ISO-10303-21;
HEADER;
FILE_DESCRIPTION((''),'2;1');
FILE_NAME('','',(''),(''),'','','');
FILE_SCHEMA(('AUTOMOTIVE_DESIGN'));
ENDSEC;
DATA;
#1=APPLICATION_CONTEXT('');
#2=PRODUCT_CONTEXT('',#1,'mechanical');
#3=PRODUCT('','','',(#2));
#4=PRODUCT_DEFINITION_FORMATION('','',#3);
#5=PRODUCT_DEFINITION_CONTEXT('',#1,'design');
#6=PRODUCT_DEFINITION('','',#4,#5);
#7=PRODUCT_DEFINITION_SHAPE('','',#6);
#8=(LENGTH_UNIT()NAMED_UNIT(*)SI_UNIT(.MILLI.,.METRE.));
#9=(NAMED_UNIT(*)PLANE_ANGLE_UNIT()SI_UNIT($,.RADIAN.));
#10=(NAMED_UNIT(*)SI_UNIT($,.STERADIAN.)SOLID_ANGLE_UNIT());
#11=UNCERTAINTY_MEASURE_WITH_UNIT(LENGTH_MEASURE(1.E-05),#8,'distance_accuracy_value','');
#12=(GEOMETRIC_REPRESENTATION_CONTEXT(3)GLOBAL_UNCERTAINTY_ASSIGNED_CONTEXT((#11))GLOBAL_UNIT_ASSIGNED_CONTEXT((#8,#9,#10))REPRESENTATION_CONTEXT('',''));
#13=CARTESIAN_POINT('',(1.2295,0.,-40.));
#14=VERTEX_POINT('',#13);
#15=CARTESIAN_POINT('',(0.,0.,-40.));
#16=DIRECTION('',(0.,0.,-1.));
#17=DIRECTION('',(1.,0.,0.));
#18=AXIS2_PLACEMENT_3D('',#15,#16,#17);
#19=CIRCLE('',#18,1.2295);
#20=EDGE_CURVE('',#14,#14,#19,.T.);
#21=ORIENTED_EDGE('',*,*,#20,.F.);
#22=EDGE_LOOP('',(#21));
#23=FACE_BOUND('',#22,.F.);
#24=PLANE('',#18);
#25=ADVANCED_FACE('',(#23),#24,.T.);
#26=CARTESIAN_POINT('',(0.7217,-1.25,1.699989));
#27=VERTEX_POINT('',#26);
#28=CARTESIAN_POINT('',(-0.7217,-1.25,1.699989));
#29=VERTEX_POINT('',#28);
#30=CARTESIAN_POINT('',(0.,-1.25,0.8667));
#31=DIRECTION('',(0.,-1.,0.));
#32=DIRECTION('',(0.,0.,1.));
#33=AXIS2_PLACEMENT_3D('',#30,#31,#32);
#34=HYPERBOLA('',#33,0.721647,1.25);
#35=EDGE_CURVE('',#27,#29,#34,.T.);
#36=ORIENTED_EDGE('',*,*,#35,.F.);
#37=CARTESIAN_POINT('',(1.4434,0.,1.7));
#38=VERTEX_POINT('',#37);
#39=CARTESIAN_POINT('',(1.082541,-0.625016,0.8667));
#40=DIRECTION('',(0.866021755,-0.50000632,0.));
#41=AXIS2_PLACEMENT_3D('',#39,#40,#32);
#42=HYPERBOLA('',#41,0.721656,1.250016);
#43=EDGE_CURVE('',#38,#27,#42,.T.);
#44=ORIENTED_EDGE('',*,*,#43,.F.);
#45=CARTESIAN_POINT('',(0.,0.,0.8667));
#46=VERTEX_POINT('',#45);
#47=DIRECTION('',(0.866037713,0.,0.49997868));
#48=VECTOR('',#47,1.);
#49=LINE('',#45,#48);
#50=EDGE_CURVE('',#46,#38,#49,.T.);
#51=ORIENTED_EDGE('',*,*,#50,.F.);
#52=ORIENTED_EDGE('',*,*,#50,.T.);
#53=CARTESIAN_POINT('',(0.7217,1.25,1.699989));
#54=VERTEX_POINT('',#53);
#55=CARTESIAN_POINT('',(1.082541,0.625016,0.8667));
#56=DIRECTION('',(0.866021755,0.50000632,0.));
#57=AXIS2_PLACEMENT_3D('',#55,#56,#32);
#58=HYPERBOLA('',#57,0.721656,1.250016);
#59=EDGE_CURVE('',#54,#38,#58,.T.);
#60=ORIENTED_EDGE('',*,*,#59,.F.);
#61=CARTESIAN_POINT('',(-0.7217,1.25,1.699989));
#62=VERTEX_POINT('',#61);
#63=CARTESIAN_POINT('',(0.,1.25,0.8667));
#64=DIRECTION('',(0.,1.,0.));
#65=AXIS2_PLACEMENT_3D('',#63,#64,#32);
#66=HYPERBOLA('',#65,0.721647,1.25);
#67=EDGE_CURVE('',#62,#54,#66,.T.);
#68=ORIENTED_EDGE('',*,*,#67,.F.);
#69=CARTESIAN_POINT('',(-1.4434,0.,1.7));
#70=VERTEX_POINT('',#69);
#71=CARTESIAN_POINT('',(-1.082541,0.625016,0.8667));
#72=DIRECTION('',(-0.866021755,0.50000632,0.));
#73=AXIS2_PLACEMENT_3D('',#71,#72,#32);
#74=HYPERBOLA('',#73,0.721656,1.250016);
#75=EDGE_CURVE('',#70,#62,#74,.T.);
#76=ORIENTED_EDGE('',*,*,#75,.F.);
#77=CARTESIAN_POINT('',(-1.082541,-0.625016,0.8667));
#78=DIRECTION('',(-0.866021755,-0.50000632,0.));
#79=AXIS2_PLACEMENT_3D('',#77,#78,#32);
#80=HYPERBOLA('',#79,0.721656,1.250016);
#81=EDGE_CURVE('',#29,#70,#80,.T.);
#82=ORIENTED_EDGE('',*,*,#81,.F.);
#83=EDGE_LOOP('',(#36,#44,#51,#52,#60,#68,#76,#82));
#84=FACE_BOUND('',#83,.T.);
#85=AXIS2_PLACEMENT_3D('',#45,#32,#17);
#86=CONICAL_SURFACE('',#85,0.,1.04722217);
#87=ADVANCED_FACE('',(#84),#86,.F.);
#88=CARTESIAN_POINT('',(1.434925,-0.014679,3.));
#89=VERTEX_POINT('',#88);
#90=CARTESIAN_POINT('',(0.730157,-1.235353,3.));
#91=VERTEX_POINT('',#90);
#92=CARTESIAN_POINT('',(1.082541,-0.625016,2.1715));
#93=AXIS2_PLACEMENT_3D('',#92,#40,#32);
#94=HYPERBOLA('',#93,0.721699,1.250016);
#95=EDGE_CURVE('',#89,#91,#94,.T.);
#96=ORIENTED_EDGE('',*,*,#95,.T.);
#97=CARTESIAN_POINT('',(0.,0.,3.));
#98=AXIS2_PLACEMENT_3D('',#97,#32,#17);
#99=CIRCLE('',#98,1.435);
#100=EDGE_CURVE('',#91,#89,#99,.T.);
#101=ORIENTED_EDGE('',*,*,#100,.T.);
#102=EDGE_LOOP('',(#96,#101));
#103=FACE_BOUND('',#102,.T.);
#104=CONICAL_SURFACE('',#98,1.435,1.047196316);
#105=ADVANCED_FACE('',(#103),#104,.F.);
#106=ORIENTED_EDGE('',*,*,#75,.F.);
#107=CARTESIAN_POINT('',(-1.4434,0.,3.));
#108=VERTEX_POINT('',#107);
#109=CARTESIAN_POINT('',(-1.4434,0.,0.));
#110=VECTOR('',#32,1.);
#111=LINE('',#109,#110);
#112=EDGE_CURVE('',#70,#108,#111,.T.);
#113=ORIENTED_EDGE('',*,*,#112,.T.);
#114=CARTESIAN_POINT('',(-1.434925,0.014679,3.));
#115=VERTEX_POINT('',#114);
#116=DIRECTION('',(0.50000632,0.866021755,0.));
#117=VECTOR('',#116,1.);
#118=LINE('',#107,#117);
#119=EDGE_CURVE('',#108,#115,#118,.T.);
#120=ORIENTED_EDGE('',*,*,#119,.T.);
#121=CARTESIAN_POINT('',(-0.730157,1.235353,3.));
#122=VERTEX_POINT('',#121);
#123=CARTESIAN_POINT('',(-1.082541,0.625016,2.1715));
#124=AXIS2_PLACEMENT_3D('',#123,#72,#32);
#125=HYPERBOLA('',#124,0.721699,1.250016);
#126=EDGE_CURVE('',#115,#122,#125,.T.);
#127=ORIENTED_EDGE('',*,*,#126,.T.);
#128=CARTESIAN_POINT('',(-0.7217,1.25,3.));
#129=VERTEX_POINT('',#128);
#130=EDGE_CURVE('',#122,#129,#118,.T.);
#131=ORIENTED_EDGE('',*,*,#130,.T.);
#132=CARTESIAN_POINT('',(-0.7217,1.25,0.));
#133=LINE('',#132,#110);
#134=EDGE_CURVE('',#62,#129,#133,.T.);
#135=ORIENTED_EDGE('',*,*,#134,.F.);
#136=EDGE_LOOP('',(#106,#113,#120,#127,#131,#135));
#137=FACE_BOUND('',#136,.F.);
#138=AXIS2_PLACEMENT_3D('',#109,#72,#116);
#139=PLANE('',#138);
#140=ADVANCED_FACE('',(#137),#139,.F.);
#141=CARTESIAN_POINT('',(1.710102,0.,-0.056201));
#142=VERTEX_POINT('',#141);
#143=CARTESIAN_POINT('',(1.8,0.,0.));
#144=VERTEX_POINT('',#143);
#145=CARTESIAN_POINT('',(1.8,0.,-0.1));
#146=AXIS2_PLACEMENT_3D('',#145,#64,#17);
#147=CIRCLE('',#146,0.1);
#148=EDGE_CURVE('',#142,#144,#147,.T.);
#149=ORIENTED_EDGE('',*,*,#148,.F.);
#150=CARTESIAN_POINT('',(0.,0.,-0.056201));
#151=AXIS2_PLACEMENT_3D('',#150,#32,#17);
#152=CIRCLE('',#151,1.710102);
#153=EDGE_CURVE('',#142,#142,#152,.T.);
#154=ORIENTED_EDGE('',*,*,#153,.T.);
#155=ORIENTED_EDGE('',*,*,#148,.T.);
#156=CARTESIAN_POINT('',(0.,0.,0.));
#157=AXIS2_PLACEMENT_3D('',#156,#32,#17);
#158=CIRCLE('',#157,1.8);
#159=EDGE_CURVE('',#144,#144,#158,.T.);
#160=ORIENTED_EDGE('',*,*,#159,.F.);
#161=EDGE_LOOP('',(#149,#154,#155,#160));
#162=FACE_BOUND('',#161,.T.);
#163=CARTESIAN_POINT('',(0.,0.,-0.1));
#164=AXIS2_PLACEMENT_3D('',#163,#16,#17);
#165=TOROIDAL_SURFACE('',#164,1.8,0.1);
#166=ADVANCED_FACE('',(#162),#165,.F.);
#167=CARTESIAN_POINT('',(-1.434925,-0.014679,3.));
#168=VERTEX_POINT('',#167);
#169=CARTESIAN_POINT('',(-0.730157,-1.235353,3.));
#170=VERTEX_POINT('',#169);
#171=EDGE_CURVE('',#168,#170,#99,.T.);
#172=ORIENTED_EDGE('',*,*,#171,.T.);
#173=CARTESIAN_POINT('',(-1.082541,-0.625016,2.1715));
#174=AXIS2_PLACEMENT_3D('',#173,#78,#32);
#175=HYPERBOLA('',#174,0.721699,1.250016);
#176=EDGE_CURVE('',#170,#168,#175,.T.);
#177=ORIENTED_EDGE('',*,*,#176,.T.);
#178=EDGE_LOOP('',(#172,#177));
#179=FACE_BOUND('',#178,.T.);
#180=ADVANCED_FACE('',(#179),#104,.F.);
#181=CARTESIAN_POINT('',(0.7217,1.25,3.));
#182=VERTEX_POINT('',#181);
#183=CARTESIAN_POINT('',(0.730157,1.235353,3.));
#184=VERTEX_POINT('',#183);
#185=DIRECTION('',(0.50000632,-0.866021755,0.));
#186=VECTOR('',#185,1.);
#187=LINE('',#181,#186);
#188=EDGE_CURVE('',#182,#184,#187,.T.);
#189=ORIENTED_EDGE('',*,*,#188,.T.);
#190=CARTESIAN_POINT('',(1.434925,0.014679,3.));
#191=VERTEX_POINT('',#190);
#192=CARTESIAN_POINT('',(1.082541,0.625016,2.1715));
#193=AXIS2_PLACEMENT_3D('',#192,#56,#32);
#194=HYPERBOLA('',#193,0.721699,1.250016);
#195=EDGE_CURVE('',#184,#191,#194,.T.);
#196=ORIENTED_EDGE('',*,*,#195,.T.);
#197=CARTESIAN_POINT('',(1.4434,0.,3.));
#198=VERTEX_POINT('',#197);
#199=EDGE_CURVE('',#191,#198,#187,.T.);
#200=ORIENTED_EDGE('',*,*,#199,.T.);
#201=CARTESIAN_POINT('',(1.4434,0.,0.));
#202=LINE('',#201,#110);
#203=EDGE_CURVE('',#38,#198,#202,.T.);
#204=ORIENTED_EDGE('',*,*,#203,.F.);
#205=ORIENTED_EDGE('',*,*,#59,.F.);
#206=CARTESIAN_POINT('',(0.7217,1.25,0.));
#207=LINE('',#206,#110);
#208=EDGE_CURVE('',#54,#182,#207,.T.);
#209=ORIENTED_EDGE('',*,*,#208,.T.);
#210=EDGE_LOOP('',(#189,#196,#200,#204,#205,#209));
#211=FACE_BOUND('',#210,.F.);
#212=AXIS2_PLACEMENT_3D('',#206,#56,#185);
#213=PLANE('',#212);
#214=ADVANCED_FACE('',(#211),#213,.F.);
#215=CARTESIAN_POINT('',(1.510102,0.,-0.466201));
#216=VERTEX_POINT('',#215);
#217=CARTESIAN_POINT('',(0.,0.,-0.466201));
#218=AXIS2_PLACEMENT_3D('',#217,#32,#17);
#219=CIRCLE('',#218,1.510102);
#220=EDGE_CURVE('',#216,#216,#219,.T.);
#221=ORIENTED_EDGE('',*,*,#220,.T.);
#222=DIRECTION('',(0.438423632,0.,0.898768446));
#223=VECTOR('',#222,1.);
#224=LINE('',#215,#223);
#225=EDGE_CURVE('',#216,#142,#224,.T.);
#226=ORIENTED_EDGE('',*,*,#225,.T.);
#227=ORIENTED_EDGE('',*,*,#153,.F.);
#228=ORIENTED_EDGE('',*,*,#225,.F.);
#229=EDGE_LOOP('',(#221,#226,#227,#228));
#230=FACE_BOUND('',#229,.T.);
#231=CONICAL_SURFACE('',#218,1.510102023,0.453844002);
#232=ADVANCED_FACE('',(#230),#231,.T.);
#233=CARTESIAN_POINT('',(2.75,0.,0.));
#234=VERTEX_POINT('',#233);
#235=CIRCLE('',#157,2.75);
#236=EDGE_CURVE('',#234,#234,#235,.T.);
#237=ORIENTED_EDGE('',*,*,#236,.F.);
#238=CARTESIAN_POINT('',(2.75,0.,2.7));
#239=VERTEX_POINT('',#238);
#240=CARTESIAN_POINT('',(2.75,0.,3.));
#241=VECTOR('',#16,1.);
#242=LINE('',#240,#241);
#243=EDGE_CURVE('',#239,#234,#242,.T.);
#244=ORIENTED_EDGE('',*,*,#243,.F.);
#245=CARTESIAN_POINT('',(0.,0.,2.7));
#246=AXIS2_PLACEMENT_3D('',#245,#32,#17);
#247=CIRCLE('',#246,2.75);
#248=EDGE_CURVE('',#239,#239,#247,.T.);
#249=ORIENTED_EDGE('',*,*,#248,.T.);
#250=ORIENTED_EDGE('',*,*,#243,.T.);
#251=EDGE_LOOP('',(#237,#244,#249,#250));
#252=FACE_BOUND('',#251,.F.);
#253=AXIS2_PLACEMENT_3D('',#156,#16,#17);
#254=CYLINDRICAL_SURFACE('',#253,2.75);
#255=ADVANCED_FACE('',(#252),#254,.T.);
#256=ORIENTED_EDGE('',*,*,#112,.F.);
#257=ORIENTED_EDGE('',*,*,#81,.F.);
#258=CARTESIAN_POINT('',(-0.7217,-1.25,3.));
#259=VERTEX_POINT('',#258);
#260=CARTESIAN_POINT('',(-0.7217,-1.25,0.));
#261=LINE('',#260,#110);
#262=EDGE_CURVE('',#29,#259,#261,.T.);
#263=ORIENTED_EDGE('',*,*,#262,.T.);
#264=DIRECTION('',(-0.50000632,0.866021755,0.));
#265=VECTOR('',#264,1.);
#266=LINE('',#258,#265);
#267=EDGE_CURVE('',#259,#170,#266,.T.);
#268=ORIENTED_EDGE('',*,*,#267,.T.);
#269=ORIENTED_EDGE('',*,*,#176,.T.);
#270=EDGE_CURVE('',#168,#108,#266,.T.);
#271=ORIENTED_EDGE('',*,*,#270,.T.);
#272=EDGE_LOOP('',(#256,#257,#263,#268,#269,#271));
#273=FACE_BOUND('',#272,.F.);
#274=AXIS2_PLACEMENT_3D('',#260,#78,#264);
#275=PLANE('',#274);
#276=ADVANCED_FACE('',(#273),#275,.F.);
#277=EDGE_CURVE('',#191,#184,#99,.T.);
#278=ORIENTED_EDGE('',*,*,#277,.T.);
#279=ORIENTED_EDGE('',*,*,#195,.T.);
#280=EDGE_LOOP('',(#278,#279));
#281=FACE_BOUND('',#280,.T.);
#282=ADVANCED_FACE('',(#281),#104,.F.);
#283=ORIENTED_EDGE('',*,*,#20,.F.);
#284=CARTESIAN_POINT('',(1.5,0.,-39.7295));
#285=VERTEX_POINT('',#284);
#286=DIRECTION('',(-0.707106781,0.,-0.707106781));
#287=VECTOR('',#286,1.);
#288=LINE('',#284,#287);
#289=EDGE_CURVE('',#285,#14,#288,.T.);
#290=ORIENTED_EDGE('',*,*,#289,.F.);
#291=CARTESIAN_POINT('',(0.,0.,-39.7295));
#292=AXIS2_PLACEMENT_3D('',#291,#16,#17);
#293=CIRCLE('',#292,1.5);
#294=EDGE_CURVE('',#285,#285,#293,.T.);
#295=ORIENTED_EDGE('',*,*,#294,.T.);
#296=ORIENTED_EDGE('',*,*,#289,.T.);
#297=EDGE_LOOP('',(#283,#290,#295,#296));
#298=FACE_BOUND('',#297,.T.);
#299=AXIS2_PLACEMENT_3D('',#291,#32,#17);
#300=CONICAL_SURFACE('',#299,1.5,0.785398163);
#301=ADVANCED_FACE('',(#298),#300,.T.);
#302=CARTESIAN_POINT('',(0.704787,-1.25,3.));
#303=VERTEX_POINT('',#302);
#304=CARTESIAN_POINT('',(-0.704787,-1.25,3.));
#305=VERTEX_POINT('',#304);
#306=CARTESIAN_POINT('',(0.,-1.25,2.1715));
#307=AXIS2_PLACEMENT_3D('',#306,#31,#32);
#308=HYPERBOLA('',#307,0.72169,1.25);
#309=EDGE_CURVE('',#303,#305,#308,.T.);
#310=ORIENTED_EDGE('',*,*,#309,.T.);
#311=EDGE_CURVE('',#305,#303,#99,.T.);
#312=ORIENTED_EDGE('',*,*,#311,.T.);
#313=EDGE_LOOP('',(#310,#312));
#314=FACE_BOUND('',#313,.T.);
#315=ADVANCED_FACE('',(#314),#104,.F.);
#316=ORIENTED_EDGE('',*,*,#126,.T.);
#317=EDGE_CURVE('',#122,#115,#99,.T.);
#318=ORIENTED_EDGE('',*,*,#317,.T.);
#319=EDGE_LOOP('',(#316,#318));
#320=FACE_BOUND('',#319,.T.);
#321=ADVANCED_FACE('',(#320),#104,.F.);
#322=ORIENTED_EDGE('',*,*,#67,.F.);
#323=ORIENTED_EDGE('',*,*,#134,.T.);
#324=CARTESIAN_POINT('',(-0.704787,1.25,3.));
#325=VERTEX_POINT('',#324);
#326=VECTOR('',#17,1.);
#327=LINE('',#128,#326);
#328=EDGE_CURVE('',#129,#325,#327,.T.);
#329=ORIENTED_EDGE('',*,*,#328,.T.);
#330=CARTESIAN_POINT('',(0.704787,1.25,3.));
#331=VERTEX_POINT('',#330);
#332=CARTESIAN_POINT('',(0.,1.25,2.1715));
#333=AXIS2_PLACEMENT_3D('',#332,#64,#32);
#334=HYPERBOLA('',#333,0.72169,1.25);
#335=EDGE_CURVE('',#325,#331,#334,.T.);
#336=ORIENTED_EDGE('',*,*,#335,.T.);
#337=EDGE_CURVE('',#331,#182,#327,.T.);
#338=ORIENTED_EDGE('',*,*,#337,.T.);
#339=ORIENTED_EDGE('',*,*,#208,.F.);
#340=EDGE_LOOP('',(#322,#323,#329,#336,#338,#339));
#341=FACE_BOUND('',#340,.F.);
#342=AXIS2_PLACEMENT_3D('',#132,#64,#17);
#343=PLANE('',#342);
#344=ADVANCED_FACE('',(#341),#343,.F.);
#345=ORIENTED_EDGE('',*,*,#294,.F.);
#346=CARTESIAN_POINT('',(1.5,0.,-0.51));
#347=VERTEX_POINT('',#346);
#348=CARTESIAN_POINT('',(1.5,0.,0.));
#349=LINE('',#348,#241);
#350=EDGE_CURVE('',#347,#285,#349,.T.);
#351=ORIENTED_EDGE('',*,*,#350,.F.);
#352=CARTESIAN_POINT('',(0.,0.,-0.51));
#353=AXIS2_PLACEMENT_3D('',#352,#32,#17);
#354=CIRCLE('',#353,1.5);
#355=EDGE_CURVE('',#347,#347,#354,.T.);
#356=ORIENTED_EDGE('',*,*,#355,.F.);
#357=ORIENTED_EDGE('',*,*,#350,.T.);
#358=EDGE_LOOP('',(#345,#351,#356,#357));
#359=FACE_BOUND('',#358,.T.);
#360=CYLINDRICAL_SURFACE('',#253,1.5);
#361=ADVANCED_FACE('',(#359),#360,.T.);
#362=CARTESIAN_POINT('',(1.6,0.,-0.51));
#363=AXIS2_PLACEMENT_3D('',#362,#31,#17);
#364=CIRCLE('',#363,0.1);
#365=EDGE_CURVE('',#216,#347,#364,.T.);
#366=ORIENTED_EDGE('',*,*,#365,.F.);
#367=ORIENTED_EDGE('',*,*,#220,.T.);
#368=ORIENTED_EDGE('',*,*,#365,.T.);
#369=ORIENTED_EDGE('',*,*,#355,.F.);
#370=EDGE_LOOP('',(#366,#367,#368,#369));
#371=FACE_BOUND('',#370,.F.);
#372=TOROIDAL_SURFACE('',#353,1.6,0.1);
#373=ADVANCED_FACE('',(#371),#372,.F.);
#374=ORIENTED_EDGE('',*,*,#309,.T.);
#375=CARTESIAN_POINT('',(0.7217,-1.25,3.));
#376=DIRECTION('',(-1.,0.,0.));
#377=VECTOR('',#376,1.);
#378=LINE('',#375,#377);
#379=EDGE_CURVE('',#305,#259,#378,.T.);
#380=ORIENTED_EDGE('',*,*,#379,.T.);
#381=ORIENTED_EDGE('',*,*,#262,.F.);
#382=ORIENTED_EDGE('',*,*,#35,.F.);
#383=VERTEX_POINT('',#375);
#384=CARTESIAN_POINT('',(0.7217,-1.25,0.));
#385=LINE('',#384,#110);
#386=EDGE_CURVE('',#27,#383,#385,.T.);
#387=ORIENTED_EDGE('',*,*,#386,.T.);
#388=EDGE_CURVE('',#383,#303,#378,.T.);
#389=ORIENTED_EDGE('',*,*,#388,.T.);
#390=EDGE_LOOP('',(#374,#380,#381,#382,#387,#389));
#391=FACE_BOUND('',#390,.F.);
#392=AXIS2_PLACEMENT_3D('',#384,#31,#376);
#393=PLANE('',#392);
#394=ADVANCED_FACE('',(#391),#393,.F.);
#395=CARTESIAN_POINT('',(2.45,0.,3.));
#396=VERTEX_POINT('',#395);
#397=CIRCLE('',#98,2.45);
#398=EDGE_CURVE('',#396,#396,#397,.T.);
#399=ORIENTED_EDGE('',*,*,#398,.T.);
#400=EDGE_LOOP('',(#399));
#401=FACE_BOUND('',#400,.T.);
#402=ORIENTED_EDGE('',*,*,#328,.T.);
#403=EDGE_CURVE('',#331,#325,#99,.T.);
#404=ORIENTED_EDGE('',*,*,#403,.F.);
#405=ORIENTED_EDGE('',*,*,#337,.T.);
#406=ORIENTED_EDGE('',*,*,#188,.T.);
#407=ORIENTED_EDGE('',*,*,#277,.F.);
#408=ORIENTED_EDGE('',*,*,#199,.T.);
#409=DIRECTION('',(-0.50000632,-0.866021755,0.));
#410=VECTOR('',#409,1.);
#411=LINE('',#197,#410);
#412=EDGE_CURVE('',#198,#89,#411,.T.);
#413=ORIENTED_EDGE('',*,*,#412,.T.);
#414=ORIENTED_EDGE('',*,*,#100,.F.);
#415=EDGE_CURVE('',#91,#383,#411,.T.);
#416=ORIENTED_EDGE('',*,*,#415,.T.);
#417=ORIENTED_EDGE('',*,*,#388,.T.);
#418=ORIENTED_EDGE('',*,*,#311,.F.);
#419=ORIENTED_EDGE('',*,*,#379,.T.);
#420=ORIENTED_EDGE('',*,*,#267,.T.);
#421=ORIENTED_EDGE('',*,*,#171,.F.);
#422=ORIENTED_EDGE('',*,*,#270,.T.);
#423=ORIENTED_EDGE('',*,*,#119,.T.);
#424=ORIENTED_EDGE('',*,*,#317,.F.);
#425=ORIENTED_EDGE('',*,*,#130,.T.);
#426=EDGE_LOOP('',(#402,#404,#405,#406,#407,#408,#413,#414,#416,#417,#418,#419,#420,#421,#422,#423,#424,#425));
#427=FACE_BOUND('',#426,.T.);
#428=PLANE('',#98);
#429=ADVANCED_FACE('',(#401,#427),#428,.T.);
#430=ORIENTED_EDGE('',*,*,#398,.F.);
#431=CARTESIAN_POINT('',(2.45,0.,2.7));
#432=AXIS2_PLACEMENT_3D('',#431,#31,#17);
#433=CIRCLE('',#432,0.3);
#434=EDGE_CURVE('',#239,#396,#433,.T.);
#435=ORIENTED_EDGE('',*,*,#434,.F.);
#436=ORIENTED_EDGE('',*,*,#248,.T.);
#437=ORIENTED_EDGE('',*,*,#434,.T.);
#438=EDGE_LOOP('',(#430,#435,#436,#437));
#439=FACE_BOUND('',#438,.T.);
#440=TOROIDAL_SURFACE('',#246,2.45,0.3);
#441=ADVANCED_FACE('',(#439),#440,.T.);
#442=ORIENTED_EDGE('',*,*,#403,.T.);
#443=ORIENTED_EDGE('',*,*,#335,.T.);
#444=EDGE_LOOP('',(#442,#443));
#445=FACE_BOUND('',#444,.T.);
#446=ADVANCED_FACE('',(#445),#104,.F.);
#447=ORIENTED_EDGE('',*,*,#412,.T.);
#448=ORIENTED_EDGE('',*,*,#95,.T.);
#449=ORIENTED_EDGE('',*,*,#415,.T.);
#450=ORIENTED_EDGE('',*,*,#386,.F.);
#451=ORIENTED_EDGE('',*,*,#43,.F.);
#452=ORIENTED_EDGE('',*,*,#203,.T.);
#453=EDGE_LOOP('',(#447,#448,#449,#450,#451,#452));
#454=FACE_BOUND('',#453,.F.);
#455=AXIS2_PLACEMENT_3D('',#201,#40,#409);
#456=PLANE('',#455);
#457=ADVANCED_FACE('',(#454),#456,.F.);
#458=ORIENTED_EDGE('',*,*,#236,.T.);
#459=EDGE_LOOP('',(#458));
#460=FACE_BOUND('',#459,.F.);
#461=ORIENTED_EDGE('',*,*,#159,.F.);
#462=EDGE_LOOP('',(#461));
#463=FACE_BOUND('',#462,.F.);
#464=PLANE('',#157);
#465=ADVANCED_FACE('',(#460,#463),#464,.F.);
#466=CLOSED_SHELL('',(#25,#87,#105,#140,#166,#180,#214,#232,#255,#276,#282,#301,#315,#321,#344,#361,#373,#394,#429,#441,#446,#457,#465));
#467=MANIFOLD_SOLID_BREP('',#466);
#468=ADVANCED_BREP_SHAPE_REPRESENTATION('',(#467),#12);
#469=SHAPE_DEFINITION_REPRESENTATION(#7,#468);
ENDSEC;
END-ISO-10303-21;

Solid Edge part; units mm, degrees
sketch "Sketch1" plane through (0, 0, 0) normal (0, 0, 1) x (1, 0, 0)
  line L0 (-0.7217, 1.25) -> (0.7217, 1.25)
  line L1 (0.7217, 1.25) -> (1.4434, 0)
  line L2 (1.4434, 0) -> (0.7217, -1.25)
  line L3 (0.7217, -1.25) -> (-0.7217, -1.25)
  line L4 (-0.7217, -1.25) -> (-1.4434, 0)
  line L5 (-1.4434, 0) -> (-0.7217, 1.25)
  circle A0 centre (0, 0) radius 2.75
  dimension "D1" = 5.5
  dimension "D2" = 2.5
extrude "Protrusion1" add sketch "Sketch1" along normal blind 3
sketch "Sketch2" plane through (0, 0, 0) normal (0, -1, 0) x (1, 0, 0)
  line L0 (0, 0.8667) -> (1.4434, 1.7)
  line L1 (1.4434, 1.7) -> (2.75, 1.7)
  line L2 (2.75, 1.7) -> (2.75, 0)
  line L3 (2.75, 0) -> (1.5, 0)
  line L4 (1.5, 0) -> (1.5, -21.999)
  line L5 (1.5, -21.999) -> (1.5, -22) construction
  line L6 (1.5, -22) -> (1.5, -22) construction
  line L7 (1.5, -22) -> (1.5, -40)
  line L8 (0, -40) -> (1.5, -40)
  dimension "D1" = 18
  dimension "D2" = 1.5
  dimension "D3" = 1.5
  dimension "D4" = 2.75
  dimension "D5" = 1.7
  dimension "D6" = 41.7
  dimension "D7" = 0.001
  dimension "D8" = 1.25
  dimension "D9" = 1.25
revolve "RevolvedProtrusion_1" add sketch "Sketch2" angle 360 about axis through (0, 0, 2.3333) along (0, 0, -1)
cosmetic_thread "Thread_1" size "M3" thread depth 17.999
sketch "Sketch3" plane through (0, 0, 0) normal (0, -1, 0) x (1, 0, 0)
  line L0 (0, 4) -> (1.435, 4)
  line L1 (1.435, 4) -> (1.435, 3)
  line L2 (1.435, 3) -> (0, 2.1715)
  dimension "D1" = 1.435
  dimension "D2" = 1
  dimension "D3" = 4
revolve "RevolvedCutout_1" cut sketch "Sketch3" angle 360 about axis through (0, 0, 7.1999) along (0, 0, 1)
fillet "Round_1" radius 0.3 1 edges at (-2.75, 0, 3)
sketch "Sketch4" plane through (0, 0, 0) normal (0, -1, 0) x (1, 0, 0)
  line L0 (1.5, 0) -> (1.8, 0)
  arc A0 (1.7101, -0.0562) -> (1.8, 0) centre (1.8, -0.1) cw
  line L1 (1.5101, -0.4662) -> (1.7101, -0.0562)
  arc A1 (1.5101, -0.4662) -> (1.5, -0.51) centre (1.6, -0.51) ccw
  line L2 (1.5, 0) -> (1.5, -0.51)
  dimension "D1" = 0.51
  dimension "D2" = 1.5
  dimension "D3" = 0.51
  dimension "D4" = 0.3
  dimension "D5" = 0.1
revolve "RevolvedProtrusion_2" add sketch "Sketch4" angle 360 about axis through (0, 0, -1.02) along (0, 0, 1)
chamfer "Chamfer_1" distance 0.2705 angle 45 1 edges at (-1.5, 0, -40)
properties material "Steel"
